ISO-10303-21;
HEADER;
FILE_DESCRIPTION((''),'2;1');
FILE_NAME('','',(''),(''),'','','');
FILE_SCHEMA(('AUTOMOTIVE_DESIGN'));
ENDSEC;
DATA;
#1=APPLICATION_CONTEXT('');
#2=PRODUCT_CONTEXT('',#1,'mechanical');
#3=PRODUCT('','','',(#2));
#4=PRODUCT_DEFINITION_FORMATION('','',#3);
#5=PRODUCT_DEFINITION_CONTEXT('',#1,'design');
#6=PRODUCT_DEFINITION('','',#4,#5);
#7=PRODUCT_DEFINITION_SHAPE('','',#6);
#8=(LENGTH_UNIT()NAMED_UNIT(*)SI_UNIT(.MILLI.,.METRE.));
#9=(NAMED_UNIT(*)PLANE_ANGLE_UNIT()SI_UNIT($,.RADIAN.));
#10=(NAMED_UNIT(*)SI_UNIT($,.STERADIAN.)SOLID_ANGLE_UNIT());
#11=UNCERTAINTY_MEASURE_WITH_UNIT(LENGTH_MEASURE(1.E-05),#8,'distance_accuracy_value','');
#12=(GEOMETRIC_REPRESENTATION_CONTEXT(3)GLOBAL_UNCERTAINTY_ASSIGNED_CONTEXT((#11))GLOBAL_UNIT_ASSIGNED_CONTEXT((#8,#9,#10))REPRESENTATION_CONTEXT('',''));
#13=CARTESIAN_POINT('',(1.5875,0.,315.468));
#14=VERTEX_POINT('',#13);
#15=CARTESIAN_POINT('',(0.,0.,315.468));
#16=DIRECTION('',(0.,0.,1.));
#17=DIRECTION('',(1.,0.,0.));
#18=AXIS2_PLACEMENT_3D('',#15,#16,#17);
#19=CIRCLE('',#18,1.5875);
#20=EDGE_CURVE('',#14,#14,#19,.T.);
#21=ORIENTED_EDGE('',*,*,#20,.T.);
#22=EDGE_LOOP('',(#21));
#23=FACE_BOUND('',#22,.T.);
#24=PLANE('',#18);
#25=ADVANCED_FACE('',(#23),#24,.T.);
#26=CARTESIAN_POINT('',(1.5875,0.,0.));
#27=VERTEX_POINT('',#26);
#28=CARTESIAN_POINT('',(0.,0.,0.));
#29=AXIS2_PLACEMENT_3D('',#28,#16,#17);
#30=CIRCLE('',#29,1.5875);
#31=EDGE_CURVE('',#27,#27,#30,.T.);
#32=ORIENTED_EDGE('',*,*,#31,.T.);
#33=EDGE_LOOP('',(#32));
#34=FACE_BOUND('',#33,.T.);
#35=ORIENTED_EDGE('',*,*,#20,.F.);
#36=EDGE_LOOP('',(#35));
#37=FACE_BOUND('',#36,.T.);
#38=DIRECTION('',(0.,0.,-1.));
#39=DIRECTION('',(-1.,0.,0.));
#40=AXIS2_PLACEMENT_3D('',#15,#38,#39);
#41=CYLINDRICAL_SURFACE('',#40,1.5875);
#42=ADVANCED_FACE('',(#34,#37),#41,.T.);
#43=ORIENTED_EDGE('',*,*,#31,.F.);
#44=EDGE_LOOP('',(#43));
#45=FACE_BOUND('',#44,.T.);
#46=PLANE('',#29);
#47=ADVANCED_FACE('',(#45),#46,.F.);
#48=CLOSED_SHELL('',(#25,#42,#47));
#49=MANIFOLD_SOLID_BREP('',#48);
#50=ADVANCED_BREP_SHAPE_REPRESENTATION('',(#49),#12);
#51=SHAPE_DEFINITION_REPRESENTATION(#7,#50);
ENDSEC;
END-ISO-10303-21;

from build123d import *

# Parameters (mm, degrees)
SKETCH1_R           = 1.5875
BOSS_EXTRUDE1_DEPTH = 315.468


with BuildPart() as part:
    # Sketch1 → Boss-Extrude1 (new body)
    with BuildSketch(Plane.XY):
        Circle(SKETCH1_R)
    extrude(amount=BOSS_EXTRUDE1_DEPTH)


solid = part.part
